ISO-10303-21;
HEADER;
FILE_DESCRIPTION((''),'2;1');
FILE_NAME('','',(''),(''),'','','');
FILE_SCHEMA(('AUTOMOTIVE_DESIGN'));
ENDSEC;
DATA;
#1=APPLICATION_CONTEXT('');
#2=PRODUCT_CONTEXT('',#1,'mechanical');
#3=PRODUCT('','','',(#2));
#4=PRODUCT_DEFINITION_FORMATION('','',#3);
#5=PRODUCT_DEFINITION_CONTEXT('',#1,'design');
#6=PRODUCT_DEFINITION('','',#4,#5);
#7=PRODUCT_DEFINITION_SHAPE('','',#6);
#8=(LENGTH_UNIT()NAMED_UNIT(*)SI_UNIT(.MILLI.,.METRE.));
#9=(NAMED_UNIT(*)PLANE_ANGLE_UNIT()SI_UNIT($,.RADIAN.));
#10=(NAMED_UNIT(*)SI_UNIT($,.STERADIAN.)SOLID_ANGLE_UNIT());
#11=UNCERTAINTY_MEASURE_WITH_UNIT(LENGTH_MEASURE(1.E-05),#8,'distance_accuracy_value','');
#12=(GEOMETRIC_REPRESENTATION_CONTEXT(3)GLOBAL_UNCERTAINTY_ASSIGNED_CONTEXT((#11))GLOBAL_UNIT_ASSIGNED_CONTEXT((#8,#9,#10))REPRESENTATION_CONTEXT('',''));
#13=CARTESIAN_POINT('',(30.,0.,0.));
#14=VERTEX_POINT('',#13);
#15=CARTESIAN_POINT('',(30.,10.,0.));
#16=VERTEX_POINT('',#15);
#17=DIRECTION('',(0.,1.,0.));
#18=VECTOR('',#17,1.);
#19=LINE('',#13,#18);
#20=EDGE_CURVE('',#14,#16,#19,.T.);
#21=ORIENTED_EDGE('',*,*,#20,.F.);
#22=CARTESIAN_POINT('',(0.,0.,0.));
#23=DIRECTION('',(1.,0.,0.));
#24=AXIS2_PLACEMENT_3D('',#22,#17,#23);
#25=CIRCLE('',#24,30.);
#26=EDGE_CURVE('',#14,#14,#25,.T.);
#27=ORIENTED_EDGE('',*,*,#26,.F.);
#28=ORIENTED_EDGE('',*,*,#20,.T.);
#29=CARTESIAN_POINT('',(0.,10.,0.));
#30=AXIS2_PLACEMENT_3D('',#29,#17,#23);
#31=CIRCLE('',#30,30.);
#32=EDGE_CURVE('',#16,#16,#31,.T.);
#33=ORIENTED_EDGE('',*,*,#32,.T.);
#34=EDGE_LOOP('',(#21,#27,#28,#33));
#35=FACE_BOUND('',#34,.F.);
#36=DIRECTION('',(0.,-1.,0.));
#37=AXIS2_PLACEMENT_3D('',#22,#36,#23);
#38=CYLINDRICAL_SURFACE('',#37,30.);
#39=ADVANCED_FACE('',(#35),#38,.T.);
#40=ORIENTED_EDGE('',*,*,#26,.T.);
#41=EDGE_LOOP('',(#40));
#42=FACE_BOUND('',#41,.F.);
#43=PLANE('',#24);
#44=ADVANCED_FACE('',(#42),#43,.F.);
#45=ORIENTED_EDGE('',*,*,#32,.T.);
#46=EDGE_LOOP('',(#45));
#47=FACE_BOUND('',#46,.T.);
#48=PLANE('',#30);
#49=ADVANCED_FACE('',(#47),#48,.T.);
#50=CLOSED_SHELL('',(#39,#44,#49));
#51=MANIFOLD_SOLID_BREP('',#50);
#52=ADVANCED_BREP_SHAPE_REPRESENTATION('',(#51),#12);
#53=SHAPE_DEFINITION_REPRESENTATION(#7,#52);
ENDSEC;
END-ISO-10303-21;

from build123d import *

# Parameters (mm, degrees)
WHEEL_R             = 30
EXTRUDE_WHEEL_DEPTH = 10


with BuildPart() as part:
    # Wheel → Extrude wheel (new body)
    with BuildSketch(Plane(origin=(0, 0, 0), x_dir=(1, 0, 0), z_dir=(0, 1, 0))):
        Circle(WHEEL_R)
    extrude(amount=EXTRUDE_WHEEL_DEPTH)


solid = part.part
